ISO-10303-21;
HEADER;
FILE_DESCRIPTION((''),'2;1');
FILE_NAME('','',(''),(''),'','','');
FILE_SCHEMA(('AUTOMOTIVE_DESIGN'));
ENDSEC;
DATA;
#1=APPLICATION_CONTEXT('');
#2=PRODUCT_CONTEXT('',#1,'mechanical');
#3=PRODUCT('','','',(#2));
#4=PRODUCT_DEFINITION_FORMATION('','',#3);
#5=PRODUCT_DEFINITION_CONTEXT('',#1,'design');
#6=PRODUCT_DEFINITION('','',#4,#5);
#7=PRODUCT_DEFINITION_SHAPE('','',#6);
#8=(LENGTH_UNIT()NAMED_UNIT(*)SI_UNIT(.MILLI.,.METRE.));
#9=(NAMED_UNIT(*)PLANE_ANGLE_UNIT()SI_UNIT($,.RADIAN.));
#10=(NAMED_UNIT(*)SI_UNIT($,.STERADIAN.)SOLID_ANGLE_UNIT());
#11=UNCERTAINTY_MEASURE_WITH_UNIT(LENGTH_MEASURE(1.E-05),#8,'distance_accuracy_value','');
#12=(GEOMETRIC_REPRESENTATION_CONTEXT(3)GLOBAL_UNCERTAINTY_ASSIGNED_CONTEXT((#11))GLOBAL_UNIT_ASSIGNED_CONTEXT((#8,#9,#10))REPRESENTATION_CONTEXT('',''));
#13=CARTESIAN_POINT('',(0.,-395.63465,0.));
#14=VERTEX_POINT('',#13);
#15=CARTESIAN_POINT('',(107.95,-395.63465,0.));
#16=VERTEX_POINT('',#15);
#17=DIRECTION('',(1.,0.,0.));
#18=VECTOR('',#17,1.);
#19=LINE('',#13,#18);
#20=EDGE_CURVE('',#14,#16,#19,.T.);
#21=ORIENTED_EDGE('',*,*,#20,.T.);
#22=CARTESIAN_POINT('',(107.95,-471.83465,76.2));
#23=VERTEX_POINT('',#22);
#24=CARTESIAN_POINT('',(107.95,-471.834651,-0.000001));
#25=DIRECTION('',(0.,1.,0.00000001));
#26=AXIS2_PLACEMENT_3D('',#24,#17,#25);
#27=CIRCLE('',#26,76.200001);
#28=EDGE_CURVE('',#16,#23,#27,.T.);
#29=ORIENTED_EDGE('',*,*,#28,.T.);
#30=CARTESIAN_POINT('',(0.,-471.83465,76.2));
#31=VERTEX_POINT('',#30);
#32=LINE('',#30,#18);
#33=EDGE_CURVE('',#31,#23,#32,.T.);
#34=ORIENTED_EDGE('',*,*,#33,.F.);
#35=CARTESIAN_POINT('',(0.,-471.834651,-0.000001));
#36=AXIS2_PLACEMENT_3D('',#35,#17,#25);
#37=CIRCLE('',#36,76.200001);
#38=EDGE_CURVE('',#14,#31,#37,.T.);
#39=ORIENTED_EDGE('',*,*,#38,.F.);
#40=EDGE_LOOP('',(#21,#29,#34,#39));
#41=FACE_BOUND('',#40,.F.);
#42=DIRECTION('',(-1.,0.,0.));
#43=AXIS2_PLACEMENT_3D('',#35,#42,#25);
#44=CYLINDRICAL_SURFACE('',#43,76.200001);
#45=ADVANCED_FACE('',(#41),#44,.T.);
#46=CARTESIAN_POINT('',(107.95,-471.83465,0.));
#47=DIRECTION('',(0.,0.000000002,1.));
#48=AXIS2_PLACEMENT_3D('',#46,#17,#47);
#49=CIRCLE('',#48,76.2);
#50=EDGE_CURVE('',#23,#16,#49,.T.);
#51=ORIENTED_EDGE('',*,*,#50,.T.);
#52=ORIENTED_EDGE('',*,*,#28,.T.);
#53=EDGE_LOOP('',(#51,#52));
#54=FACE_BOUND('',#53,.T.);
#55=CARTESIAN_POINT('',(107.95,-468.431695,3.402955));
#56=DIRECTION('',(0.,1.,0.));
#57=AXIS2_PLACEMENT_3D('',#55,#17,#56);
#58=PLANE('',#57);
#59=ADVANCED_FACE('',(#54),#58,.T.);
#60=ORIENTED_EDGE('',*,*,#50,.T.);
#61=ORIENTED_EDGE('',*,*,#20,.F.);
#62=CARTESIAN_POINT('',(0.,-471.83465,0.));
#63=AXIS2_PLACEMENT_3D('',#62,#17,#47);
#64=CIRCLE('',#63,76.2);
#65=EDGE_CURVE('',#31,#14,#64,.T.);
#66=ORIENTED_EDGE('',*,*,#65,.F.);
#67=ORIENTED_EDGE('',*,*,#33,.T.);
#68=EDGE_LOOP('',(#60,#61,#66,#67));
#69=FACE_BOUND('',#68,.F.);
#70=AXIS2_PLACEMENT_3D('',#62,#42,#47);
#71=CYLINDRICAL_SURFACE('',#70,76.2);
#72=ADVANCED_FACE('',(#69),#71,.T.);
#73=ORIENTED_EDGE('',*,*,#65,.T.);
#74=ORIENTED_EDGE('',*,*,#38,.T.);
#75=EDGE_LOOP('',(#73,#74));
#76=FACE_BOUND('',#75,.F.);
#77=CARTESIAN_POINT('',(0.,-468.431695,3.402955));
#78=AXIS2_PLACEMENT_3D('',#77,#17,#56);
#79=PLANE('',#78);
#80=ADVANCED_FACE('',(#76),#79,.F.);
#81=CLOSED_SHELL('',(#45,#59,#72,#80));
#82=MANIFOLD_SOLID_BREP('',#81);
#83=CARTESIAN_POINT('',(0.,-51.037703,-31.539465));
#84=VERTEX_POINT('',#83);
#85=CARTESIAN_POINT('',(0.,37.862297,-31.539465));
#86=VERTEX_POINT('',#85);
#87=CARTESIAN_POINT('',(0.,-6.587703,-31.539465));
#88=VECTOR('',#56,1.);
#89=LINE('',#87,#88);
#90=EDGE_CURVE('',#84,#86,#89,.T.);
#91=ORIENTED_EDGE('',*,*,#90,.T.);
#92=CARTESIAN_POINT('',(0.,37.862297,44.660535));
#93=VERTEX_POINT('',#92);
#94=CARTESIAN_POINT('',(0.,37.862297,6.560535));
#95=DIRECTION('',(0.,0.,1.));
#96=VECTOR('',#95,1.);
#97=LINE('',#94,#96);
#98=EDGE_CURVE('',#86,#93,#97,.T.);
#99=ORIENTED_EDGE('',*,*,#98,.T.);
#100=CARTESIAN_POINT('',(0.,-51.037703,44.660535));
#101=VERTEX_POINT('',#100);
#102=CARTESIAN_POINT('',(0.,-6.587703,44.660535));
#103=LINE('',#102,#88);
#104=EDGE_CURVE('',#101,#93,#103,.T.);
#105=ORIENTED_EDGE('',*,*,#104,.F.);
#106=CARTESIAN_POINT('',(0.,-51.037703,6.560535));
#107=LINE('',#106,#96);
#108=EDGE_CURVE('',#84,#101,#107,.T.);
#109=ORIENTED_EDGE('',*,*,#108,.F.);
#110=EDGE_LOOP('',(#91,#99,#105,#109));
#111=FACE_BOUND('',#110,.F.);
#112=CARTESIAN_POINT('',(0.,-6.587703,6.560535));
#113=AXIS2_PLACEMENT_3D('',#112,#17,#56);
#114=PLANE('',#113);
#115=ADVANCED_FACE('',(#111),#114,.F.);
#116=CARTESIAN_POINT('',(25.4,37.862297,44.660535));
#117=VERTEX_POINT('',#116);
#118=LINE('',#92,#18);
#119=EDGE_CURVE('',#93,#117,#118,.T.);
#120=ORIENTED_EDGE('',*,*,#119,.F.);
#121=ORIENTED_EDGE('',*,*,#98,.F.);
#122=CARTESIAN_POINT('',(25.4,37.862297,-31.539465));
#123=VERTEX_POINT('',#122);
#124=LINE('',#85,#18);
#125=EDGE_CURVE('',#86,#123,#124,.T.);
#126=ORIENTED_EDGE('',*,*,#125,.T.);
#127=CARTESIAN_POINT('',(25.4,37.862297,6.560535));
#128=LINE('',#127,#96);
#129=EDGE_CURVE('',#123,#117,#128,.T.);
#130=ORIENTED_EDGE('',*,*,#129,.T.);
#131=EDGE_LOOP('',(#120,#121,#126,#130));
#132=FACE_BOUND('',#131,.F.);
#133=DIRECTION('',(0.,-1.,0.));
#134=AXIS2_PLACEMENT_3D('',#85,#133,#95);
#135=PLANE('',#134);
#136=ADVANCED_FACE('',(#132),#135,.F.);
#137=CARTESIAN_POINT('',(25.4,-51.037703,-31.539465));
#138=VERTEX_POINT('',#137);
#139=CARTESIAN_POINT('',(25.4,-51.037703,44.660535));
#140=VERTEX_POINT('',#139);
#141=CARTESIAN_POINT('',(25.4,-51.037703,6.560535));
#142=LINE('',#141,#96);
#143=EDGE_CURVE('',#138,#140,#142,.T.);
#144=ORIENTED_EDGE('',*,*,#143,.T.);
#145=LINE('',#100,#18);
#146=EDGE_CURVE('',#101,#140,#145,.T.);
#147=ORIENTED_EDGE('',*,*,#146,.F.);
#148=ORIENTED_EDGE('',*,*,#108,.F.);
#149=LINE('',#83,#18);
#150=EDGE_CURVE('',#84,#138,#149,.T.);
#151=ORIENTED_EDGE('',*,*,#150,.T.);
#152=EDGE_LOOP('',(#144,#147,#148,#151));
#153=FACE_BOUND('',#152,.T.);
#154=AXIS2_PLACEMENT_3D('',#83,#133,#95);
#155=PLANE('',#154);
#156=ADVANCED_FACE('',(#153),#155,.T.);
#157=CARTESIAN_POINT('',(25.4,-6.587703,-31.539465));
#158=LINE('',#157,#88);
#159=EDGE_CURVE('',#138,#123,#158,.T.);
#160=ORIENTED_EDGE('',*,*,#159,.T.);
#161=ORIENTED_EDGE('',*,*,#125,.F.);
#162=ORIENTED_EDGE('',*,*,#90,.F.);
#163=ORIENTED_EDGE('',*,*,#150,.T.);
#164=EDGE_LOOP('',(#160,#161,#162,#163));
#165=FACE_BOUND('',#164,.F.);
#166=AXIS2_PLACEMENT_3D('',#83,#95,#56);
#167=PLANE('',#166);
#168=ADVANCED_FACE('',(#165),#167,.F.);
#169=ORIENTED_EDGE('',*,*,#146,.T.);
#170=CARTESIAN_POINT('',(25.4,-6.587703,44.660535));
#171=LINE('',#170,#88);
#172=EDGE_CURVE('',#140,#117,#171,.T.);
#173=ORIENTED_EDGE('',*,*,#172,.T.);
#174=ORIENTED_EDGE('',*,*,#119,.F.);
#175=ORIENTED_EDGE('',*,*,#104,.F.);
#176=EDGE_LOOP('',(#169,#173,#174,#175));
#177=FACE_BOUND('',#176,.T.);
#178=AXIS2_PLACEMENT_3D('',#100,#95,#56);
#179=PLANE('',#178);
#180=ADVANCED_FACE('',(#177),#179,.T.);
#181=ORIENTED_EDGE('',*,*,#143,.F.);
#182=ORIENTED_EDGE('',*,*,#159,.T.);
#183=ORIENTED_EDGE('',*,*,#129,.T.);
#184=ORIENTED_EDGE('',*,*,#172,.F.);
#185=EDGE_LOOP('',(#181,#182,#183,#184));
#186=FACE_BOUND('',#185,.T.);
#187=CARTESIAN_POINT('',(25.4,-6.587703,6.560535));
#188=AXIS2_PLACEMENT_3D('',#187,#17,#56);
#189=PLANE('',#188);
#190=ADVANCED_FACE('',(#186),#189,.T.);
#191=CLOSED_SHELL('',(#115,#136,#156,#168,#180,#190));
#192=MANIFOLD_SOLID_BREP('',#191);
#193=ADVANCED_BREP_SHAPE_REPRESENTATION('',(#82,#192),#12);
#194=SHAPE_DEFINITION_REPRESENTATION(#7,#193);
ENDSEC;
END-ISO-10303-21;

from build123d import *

# Parameters (mm, degrees)
F0_W     = 88.9
F0_H     = 76.2
F1_DEPTH = 25.4
F3_DEPTH = 107.95


with BuildPart() as f1:
    # F0 (on Right) → F1 (new body)
    with BuildSketch(Plane.YZ):
        with Locations((-6.587703, 6.560535)):
            Rectangle(F0_W, F0_H)
    extrude(amount=F1_DEPTH)


with BuildPart() as f3:
    # F2 (on Right) → F3 (new body)
    with BuildSketch(Plane.YZ):
        with BuildLine():
            ThreePointArc((-471.83465, 76.2), (-525.716187, -53.881537), (-395.63465, 0))
            ThreePointArc((-395.63465, 0), (-417.953114, 53.881537), (-471.83465, 76.2))
        make_face()
    extrude(amount=F3_DEPTH)


solid = Compound([f1.part, f3.part])
